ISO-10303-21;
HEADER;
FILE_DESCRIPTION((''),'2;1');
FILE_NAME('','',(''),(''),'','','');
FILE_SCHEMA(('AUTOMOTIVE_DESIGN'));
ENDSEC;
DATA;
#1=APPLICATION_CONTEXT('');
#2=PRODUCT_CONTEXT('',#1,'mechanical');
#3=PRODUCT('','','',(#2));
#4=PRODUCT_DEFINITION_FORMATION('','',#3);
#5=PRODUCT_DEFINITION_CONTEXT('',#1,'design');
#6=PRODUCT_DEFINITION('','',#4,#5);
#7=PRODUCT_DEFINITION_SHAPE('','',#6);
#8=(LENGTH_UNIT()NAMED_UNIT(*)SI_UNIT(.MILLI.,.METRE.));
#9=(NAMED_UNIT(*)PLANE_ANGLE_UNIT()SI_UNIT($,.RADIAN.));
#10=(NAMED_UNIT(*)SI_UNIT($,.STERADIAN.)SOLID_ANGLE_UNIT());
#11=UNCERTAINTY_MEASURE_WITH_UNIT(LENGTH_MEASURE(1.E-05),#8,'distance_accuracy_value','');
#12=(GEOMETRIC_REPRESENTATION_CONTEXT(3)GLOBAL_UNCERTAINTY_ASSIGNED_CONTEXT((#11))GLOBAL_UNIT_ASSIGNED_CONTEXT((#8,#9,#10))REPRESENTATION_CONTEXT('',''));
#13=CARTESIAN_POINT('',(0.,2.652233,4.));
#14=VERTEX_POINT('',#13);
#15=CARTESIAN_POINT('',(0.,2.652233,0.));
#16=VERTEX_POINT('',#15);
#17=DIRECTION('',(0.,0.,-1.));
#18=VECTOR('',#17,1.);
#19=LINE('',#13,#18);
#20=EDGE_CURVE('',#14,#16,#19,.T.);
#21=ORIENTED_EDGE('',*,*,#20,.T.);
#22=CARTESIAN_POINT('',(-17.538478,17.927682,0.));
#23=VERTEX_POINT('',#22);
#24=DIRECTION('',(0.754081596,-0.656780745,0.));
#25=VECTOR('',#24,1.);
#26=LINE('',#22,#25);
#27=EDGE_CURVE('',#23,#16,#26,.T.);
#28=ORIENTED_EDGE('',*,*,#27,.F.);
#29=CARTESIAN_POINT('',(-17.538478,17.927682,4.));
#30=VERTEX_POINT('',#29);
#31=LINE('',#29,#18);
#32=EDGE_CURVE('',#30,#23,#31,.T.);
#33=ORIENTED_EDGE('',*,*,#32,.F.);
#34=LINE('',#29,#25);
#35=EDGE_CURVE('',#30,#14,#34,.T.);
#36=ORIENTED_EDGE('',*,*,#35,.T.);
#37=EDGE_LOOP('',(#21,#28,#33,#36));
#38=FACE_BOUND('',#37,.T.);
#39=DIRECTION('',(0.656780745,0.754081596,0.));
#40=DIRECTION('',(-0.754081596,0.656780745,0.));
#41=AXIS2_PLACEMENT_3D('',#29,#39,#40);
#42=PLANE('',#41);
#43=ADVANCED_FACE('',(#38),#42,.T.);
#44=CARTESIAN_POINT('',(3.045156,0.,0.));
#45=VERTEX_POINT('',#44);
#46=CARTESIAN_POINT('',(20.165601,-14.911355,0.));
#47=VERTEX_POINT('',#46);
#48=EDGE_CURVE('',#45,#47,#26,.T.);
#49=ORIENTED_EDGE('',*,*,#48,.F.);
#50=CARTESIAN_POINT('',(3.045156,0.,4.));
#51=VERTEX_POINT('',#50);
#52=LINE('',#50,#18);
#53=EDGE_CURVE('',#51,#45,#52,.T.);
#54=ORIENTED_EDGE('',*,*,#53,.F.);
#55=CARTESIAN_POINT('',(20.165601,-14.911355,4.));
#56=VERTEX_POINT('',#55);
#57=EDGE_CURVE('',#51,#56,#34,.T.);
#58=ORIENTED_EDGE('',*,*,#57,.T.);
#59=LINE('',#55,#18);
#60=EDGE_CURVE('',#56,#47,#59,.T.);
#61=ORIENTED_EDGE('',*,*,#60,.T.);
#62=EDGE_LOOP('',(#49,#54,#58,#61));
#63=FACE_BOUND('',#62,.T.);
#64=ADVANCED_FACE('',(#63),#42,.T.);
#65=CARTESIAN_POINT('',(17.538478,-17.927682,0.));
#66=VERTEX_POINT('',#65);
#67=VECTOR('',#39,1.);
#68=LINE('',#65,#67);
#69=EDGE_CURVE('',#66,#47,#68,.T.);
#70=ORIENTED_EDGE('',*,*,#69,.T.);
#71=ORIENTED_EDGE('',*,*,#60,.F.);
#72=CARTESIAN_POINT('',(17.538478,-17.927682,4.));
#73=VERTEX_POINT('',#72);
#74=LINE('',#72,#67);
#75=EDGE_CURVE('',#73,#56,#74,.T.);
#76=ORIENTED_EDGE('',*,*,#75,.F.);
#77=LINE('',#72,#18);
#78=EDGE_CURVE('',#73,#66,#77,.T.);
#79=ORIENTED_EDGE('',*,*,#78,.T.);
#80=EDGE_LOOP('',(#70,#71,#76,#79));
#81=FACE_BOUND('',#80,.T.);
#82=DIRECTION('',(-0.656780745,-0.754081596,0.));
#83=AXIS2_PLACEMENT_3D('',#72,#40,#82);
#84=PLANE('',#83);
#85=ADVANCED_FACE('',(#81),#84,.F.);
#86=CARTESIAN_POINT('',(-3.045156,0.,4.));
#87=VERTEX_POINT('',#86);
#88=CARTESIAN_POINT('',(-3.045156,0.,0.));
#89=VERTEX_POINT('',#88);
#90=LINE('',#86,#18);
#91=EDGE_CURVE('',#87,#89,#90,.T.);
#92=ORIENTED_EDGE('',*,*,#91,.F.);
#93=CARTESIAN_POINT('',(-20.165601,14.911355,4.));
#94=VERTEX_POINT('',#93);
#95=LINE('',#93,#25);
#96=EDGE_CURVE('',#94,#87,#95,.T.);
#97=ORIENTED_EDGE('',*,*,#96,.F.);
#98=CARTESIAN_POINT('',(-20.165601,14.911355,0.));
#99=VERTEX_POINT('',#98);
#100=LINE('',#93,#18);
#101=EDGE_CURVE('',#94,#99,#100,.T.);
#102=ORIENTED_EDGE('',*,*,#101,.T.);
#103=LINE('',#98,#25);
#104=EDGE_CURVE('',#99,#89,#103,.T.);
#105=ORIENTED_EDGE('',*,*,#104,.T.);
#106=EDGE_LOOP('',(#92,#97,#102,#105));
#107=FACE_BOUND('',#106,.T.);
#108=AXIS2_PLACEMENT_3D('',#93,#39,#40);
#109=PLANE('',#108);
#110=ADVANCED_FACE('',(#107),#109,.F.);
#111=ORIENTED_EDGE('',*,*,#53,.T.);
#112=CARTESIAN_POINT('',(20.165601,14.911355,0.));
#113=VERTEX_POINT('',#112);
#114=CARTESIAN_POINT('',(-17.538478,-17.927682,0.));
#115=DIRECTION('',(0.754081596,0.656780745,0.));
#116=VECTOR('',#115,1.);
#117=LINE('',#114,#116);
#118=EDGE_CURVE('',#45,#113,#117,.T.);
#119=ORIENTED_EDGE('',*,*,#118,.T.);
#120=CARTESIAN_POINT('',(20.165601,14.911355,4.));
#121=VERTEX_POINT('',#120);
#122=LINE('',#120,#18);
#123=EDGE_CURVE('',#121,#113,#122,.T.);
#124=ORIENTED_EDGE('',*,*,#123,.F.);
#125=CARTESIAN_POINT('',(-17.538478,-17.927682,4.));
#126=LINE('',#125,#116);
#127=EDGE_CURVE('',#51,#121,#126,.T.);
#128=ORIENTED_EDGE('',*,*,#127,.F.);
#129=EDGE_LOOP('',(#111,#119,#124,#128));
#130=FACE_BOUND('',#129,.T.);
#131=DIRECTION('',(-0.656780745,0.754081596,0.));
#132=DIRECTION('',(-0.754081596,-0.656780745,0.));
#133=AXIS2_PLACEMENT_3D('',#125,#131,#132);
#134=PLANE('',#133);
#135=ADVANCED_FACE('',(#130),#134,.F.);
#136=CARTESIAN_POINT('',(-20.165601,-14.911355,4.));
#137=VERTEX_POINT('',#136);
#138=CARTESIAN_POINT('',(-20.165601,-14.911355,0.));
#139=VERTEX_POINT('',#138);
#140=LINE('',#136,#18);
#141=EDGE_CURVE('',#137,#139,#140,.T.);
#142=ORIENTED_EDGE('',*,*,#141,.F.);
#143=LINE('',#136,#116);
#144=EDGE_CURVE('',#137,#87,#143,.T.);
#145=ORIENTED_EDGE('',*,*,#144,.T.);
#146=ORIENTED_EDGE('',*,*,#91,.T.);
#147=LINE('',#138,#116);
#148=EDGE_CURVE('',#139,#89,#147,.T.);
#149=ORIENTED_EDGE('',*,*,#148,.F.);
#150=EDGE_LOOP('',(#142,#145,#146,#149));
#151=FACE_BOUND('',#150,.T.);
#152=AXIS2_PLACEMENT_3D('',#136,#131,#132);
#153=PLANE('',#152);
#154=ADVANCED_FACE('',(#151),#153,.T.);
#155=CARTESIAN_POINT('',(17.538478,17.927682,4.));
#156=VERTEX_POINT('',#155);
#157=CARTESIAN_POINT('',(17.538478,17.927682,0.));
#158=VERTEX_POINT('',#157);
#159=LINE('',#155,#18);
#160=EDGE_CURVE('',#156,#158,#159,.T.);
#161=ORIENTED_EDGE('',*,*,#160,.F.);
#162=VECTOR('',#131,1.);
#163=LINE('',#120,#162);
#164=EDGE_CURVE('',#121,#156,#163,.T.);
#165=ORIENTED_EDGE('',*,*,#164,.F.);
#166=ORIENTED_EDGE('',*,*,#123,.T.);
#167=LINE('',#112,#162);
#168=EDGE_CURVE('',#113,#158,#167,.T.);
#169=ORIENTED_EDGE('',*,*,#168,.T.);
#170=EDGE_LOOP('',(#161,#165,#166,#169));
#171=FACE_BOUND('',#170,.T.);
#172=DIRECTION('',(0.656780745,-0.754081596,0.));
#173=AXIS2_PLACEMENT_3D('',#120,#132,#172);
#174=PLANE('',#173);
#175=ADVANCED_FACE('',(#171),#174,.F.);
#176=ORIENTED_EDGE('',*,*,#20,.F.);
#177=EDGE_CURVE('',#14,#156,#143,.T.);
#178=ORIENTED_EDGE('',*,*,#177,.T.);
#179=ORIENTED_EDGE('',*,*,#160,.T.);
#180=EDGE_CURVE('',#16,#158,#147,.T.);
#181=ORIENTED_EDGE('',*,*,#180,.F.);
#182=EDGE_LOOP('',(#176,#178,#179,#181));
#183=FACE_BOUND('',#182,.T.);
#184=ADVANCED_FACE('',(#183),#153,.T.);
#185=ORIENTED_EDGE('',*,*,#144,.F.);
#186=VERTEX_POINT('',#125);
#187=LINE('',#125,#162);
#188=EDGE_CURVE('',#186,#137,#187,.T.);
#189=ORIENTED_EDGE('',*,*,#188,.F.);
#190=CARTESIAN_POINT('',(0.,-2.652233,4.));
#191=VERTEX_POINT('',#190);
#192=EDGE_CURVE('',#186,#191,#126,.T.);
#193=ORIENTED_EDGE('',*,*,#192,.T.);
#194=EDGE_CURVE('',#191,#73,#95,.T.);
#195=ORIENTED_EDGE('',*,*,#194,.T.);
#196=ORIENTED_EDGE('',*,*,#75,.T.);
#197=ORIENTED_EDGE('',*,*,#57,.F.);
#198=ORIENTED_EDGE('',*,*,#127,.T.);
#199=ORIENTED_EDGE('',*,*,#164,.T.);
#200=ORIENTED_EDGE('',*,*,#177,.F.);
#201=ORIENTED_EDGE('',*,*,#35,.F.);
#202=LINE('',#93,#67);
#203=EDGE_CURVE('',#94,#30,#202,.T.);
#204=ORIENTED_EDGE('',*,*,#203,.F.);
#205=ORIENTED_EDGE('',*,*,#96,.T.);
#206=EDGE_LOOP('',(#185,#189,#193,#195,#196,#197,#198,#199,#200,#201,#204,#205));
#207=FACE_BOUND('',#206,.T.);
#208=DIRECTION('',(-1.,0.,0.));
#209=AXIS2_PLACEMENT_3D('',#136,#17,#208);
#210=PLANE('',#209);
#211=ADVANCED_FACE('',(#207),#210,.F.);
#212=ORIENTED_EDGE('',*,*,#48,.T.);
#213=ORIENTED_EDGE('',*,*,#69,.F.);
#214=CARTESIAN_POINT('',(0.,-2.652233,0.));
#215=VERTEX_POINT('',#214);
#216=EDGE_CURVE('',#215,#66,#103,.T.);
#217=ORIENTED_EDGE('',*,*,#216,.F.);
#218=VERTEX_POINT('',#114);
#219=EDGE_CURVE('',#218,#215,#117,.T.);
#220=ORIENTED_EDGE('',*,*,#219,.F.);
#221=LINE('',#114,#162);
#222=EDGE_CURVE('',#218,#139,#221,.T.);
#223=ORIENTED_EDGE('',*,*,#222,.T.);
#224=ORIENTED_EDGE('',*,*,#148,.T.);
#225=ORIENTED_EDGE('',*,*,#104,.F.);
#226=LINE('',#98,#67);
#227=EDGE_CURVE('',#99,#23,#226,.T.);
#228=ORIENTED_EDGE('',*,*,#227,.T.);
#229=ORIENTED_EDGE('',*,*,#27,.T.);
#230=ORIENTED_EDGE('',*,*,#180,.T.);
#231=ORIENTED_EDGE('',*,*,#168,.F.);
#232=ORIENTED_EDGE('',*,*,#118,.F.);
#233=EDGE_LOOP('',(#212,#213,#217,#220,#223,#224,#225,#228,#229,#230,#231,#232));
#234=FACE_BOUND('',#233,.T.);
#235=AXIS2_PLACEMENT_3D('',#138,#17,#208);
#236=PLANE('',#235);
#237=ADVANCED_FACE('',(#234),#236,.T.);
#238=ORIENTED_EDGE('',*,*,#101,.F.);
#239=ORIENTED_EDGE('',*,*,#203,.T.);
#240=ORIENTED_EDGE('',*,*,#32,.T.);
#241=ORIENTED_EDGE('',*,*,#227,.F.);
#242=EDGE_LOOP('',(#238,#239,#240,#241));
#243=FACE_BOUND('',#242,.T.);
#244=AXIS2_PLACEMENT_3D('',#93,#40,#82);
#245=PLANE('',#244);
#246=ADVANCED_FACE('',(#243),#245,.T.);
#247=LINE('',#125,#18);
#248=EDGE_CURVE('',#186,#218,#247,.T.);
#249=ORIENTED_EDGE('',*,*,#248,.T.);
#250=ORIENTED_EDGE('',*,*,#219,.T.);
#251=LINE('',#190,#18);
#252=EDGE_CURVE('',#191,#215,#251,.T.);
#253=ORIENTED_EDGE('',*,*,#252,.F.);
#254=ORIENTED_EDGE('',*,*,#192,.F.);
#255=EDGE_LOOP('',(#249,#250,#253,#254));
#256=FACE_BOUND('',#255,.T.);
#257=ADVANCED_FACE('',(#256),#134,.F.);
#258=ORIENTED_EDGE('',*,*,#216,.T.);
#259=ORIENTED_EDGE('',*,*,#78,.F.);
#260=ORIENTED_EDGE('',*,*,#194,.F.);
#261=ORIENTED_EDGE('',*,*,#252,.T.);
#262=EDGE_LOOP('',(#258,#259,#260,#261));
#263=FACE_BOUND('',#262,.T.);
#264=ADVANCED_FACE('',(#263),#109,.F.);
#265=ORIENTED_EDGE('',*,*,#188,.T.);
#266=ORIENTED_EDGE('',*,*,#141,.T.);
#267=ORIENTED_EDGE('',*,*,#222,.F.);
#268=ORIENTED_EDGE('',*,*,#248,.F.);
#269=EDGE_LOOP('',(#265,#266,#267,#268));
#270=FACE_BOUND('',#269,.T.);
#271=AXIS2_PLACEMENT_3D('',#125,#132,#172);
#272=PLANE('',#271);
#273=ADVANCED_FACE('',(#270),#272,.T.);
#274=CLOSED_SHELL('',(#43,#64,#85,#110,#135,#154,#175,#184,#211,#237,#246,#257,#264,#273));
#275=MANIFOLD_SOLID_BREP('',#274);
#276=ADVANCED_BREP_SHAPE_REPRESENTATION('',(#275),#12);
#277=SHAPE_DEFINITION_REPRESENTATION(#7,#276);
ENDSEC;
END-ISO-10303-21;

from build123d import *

# Parameters (mm, degrees)
BOSS_EXTRUDE1_DEPTH = 4


with BuildPart() as part:
    # Sketch1 → Boss-Extrude1 (new body)
    with BuildSketch(Plane.XY):
        Polygon((-20.165601387, 14.911355428), (-17.538478408, 17.927681812), (20.165601387, -14.911355428), (17.538478408, -17.927681812), align=None)
        Polygon((-17.538478408, -17.927681812), (-20.165601387, -14.911355428), (17.538478408, 17.927681812), (20.165601387, 14.911355428), align=None)
    extrude(amount=BOSS_EXTRUDE1_DEPTH)


solid = part.part
